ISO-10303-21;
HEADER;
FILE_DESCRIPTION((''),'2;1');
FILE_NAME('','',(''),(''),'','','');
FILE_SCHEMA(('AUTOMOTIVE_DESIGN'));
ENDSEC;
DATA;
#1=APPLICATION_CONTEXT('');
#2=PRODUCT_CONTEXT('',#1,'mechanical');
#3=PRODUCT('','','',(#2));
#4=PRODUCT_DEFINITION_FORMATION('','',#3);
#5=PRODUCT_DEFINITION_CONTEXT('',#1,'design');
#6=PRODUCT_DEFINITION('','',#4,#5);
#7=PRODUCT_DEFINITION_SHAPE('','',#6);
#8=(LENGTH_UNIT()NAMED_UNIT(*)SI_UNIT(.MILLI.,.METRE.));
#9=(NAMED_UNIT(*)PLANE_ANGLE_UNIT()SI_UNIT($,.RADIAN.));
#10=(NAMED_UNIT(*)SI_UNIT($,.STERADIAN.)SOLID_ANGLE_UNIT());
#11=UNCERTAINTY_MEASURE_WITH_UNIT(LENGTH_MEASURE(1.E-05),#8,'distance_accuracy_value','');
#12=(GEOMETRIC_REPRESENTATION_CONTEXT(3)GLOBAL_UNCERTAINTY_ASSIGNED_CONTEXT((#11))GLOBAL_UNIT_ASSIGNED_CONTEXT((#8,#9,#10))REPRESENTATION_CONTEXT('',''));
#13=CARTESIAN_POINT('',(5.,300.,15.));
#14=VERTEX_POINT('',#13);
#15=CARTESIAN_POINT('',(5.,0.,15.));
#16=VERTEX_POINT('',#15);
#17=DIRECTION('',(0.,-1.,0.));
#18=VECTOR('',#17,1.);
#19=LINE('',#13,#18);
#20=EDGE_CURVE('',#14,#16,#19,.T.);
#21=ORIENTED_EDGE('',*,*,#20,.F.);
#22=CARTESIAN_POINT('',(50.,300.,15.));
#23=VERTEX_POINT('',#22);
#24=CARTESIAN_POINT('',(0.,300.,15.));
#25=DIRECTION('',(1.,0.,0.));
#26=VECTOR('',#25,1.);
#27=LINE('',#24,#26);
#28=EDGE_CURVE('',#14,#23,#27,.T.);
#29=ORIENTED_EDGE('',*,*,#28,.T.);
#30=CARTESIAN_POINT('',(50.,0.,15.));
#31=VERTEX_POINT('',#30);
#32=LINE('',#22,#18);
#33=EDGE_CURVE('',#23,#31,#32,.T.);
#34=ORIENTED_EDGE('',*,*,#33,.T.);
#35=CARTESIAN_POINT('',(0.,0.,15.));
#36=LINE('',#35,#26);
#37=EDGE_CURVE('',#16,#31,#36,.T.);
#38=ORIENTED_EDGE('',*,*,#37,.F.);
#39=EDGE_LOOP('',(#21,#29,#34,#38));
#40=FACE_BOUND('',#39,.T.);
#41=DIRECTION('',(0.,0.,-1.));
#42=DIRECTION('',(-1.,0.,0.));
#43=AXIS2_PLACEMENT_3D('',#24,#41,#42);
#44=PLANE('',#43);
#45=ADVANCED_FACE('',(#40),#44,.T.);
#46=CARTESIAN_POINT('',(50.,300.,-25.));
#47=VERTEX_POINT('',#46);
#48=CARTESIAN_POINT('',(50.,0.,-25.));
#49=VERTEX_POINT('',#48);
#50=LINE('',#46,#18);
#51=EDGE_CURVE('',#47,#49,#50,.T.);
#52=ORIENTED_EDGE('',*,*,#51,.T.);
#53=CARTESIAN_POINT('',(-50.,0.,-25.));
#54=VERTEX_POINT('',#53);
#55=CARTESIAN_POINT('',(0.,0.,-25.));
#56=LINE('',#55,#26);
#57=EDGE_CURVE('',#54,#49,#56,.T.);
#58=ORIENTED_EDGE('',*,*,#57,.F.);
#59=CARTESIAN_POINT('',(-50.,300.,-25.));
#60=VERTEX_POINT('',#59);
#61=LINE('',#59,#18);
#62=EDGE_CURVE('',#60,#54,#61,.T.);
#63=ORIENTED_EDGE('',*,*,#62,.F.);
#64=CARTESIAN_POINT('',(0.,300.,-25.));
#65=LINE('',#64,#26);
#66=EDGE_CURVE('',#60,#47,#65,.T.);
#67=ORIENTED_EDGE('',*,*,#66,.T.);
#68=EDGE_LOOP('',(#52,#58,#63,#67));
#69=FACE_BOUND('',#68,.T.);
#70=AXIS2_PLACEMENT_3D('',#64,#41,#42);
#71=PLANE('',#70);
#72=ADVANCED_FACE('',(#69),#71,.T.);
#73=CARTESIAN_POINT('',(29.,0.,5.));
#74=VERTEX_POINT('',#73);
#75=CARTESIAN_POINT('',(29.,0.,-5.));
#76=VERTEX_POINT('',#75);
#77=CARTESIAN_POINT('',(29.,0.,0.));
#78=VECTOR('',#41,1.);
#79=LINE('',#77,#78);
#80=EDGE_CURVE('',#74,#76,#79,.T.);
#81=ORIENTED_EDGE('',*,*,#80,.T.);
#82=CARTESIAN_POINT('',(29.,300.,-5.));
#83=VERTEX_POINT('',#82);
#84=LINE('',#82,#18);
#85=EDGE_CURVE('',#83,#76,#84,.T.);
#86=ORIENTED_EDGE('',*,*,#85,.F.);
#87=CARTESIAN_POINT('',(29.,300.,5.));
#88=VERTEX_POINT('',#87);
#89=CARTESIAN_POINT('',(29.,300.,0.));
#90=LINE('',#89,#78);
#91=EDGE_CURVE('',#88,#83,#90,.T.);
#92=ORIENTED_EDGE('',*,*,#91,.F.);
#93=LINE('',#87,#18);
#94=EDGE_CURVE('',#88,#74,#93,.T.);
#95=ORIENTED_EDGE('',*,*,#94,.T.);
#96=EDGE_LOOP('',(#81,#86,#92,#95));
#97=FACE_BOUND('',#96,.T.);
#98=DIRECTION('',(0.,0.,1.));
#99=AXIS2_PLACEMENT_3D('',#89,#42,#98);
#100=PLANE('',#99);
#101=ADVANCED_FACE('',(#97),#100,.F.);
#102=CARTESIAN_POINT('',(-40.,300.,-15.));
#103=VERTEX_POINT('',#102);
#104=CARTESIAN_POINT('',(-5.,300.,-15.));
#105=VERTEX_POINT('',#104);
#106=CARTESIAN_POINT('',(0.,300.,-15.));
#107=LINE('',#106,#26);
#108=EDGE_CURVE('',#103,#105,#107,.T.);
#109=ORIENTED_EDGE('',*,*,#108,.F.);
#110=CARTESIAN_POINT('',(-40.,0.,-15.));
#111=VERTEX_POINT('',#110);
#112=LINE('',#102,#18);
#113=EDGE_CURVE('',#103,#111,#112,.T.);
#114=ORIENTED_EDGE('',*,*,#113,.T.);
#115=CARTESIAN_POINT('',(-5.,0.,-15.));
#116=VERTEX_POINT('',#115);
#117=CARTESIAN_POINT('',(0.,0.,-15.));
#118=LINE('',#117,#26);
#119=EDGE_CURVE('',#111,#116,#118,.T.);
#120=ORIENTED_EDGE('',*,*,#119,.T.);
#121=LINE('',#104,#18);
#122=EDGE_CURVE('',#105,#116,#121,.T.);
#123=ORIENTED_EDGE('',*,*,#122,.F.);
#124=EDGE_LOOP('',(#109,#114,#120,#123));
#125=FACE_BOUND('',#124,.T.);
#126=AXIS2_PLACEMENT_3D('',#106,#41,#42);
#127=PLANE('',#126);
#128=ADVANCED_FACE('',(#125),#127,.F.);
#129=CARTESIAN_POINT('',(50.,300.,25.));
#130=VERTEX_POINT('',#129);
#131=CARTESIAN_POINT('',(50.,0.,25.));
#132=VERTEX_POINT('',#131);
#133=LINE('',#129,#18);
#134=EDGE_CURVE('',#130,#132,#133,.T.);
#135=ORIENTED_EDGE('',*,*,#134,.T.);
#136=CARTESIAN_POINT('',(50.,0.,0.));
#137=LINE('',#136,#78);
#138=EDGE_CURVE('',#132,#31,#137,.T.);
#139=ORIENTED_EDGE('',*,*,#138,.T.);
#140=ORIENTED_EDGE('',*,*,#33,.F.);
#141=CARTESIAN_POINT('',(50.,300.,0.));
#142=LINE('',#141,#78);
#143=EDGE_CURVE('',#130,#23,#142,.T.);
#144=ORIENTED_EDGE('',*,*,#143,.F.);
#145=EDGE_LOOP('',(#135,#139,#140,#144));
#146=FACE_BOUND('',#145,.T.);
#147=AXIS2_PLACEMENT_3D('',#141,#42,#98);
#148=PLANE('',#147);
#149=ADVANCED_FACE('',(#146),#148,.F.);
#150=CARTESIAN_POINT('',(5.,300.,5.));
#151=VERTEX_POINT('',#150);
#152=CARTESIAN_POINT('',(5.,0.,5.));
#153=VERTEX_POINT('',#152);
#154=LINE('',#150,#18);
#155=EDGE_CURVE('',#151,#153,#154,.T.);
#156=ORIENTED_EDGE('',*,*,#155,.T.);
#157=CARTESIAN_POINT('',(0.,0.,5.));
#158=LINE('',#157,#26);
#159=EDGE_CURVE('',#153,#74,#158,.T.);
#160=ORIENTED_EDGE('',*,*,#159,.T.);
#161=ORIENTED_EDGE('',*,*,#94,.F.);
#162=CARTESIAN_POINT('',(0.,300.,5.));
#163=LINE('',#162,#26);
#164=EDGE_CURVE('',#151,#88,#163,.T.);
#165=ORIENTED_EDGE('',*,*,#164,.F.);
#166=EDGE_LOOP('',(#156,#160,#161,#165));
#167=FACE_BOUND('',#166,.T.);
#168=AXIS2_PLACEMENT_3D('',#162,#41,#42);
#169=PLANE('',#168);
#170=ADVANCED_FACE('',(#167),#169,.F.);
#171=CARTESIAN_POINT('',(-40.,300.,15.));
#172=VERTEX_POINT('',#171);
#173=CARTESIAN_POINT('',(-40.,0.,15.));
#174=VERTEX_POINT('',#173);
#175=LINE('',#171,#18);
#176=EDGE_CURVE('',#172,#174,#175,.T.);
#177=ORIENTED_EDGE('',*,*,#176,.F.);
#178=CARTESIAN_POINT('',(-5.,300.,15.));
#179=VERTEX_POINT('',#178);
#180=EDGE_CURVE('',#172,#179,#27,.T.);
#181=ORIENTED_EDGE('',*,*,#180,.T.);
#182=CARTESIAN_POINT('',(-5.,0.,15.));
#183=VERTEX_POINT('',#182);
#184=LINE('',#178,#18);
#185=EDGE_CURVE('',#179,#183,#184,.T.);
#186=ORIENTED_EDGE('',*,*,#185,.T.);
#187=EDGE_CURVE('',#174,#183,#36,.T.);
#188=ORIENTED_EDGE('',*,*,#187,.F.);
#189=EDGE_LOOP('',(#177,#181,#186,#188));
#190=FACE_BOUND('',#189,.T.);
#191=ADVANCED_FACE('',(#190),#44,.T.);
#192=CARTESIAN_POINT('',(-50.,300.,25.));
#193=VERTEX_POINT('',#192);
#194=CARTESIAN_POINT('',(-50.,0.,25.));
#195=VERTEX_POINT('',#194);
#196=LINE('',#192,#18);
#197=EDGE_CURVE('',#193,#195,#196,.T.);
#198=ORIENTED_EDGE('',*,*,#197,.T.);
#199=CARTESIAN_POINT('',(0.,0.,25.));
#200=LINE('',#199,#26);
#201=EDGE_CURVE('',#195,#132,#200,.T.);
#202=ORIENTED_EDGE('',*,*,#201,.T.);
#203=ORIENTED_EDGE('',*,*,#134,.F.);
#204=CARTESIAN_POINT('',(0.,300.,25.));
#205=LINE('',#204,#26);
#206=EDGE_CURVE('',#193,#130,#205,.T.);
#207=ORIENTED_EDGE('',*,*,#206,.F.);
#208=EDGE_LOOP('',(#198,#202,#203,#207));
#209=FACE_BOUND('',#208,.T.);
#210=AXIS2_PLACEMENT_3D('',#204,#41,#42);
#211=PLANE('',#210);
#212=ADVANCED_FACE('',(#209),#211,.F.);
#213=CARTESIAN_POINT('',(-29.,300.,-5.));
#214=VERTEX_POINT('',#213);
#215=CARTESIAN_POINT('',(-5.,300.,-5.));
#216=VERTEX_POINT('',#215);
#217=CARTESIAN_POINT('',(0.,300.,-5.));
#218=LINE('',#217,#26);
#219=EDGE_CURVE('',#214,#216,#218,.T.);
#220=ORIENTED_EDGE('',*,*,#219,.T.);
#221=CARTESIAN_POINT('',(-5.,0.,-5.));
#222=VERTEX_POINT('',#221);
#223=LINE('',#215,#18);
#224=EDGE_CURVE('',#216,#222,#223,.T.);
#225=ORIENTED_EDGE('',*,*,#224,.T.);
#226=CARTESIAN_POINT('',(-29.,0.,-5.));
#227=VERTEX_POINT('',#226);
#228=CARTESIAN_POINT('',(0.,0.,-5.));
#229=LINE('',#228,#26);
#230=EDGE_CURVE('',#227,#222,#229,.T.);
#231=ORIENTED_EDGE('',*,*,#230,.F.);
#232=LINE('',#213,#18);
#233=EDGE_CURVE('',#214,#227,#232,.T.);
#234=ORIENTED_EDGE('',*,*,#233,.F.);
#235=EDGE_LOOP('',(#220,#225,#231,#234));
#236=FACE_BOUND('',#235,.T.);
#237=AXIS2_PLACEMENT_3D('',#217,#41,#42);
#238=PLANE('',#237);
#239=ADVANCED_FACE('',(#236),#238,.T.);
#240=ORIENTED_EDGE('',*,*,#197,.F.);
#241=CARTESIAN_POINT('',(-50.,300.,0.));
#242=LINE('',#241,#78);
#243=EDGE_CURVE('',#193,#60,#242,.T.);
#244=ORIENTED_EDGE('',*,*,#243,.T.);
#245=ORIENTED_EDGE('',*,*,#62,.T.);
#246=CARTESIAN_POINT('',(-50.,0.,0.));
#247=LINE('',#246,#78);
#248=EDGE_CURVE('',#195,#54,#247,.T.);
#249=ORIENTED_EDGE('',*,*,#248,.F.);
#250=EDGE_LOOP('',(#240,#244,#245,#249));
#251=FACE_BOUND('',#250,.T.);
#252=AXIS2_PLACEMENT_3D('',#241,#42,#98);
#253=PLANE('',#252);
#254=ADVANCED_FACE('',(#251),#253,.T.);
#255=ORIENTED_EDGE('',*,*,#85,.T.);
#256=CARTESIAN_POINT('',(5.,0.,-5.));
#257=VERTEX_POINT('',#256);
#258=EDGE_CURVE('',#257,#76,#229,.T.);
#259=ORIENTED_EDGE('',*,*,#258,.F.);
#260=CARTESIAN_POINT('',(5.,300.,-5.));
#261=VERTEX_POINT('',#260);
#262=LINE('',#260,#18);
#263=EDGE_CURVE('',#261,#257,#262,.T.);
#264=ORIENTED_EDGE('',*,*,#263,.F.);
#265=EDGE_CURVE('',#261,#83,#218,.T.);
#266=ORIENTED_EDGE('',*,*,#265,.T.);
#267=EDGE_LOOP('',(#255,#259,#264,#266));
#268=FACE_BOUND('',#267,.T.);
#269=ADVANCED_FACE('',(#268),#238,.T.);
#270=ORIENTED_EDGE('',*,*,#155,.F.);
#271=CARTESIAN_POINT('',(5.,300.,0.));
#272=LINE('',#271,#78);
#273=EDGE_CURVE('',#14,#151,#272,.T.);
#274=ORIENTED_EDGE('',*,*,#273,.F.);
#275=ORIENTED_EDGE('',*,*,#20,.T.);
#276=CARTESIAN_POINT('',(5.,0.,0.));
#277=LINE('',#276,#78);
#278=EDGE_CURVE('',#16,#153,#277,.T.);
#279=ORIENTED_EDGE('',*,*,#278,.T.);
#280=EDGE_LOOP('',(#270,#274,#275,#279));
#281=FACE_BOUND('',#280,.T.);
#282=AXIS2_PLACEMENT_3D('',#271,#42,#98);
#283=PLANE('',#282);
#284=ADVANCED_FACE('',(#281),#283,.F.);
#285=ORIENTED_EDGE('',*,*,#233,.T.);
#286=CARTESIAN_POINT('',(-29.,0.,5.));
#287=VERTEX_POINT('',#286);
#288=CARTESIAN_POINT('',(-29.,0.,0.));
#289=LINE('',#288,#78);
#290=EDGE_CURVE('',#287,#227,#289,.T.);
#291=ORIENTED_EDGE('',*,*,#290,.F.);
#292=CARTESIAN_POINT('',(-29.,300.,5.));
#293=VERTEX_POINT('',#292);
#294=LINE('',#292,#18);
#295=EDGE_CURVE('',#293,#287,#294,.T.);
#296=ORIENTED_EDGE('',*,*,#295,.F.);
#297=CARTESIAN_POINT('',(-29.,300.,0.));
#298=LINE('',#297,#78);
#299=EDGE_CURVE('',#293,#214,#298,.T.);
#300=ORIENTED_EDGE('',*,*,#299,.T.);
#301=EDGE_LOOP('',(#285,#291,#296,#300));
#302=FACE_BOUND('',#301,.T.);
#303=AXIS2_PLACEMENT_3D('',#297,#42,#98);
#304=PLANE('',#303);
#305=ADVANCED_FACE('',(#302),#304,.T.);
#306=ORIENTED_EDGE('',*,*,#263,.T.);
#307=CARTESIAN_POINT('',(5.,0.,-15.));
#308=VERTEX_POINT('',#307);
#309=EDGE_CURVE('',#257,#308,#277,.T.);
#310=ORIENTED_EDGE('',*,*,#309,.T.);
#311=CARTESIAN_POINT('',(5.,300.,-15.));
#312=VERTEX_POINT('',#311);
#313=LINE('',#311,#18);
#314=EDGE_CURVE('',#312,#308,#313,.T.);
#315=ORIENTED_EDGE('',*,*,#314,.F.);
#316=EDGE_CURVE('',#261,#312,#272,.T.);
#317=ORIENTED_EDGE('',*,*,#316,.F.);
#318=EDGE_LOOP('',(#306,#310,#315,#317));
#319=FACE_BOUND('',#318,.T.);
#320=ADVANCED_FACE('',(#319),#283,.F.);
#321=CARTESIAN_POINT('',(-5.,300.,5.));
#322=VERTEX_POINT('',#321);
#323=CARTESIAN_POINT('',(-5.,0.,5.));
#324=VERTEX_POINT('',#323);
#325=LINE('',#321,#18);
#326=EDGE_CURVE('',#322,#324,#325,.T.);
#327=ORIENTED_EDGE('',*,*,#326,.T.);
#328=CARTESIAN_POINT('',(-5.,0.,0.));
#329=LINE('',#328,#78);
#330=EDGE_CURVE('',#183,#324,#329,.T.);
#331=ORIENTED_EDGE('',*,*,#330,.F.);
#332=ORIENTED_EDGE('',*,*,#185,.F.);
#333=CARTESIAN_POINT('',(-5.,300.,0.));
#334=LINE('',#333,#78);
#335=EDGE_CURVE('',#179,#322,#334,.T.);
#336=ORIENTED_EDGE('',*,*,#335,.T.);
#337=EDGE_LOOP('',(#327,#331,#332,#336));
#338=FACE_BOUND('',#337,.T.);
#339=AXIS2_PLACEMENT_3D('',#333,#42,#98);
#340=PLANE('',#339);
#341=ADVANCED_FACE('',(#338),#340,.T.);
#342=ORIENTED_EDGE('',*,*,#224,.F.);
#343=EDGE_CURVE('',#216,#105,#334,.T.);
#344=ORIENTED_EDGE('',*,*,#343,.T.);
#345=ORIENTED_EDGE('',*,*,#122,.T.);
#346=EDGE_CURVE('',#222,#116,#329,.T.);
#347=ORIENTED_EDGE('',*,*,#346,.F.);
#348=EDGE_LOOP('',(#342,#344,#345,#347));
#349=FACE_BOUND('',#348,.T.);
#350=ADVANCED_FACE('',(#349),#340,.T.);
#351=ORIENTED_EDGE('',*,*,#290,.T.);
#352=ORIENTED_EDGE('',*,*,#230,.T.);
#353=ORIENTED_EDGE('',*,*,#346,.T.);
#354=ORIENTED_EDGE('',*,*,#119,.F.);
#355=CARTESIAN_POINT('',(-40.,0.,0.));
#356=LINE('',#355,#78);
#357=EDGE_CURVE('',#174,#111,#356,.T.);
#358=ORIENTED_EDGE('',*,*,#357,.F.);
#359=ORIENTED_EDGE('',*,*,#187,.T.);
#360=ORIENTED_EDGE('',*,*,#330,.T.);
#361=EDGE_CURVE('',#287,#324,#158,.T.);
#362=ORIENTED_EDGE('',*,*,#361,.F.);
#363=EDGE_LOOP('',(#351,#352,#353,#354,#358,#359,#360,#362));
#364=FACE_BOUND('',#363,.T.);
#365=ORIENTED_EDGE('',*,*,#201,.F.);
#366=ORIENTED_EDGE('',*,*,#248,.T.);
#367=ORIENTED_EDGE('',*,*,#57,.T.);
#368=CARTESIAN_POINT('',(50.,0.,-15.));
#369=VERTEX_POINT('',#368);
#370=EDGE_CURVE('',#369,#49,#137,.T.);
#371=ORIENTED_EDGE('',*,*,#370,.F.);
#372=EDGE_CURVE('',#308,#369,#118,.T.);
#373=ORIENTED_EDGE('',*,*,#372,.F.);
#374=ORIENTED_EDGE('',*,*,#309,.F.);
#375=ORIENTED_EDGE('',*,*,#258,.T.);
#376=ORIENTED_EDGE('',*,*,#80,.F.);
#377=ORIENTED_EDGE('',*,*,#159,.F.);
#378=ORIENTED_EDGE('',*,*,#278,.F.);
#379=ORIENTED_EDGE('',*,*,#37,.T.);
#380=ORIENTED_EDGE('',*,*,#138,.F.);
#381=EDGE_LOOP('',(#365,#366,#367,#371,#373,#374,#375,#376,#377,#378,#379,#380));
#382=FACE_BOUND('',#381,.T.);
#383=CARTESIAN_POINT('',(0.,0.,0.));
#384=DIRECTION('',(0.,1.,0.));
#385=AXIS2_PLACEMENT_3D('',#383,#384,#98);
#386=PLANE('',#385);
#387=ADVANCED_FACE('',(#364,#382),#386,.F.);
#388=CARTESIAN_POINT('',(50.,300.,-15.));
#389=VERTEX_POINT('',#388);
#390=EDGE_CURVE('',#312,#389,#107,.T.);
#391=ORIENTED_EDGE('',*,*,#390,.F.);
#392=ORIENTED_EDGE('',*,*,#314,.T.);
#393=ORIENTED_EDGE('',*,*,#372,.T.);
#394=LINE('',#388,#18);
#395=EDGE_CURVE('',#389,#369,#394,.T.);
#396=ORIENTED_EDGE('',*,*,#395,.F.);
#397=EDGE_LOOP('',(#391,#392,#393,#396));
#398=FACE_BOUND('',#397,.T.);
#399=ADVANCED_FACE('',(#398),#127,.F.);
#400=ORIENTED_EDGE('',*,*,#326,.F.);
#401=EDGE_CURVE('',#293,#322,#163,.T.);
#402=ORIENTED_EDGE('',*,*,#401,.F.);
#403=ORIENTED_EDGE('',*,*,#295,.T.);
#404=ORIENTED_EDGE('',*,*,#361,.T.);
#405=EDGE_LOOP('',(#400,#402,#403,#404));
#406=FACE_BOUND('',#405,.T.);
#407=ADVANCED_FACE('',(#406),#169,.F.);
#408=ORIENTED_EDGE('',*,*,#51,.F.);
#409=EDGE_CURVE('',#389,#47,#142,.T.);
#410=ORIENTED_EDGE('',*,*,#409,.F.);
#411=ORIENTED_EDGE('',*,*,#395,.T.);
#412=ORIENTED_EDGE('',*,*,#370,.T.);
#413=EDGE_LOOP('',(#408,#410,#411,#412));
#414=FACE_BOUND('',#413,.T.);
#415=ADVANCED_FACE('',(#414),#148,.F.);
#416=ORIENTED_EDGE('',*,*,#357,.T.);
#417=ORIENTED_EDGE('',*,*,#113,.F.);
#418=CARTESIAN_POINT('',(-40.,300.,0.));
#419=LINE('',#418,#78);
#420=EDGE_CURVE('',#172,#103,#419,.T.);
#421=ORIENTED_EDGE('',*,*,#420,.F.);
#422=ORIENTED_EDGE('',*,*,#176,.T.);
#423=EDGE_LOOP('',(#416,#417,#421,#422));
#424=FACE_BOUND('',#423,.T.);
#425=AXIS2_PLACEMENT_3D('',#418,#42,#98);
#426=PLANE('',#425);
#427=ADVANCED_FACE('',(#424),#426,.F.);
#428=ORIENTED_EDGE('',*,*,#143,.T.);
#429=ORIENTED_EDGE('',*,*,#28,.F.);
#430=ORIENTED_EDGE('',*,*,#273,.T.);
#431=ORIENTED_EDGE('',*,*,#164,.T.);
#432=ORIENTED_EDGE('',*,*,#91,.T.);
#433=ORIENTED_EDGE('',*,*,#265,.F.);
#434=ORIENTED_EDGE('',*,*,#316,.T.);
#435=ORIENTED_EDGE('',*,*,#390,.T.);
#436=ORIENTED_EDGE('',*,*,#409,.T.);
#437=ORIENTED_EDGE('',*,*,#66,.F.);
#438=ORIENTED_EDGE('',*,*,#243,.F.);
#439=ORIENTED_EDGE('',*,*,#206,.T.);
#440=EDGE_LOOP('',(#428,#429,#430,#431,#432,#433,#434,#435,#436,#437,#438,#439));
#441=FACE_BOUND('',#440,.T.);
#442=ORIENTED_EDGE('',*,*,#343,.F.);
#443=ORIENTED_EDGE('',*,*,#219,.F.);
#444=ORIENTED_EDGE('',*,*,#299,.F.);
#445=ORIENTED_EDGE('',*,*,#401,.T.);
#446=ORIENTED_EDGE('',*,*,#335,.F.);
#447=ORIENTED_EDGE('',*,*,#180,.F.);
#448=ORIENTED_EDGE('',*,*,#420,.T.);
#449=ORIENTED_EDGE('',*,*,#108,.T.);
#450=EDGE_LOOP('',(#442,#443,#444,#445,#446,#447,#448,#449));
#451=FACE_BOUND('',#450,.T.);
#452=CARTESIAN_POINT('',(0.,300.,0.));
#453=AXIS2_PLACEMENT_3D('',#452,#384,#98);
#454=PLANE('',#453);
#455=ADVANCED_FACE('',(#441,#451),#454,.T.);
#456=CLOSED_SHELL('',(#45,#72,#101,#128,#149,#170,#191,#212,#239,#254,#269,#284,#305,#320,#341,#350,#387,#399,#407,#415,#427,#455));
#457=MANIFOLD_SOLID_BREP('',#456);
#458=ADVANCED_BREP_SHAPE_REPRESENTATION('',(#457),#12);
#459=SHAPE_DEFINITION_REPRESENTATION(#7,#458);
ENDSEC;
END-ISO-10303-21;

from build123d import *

# Parameters (mm, degrees)
EXTRUDE_1_DEPTH = 300


with BuildPart() as part:
    # Эскиз1 → Бобышка-Вытянуть1 (new body)
    with BuildSketch(Plane(origin=(0, 0, 0), x_dir=(1, 0, 0), z_dir=(0, 1, 0))):
        Polygon((5, -15), (5, -5), (29, -5), (29, 5), (5, 5), (5, 15), (50, 15), (50, 25), (-50, 25), (-50, -25), (50, -25), (50, -15), align=None)
        Polygon((-40, -15), (-40, 15), (-5, 15), (-5, 5), (-29, 5), (-29, -5), (-5, -5), (-5, -15), align=None, mode=Mode.SUBTRACT)
    extrude(amount=EXTRUDE_1_DEPTH)


solid = part.part
